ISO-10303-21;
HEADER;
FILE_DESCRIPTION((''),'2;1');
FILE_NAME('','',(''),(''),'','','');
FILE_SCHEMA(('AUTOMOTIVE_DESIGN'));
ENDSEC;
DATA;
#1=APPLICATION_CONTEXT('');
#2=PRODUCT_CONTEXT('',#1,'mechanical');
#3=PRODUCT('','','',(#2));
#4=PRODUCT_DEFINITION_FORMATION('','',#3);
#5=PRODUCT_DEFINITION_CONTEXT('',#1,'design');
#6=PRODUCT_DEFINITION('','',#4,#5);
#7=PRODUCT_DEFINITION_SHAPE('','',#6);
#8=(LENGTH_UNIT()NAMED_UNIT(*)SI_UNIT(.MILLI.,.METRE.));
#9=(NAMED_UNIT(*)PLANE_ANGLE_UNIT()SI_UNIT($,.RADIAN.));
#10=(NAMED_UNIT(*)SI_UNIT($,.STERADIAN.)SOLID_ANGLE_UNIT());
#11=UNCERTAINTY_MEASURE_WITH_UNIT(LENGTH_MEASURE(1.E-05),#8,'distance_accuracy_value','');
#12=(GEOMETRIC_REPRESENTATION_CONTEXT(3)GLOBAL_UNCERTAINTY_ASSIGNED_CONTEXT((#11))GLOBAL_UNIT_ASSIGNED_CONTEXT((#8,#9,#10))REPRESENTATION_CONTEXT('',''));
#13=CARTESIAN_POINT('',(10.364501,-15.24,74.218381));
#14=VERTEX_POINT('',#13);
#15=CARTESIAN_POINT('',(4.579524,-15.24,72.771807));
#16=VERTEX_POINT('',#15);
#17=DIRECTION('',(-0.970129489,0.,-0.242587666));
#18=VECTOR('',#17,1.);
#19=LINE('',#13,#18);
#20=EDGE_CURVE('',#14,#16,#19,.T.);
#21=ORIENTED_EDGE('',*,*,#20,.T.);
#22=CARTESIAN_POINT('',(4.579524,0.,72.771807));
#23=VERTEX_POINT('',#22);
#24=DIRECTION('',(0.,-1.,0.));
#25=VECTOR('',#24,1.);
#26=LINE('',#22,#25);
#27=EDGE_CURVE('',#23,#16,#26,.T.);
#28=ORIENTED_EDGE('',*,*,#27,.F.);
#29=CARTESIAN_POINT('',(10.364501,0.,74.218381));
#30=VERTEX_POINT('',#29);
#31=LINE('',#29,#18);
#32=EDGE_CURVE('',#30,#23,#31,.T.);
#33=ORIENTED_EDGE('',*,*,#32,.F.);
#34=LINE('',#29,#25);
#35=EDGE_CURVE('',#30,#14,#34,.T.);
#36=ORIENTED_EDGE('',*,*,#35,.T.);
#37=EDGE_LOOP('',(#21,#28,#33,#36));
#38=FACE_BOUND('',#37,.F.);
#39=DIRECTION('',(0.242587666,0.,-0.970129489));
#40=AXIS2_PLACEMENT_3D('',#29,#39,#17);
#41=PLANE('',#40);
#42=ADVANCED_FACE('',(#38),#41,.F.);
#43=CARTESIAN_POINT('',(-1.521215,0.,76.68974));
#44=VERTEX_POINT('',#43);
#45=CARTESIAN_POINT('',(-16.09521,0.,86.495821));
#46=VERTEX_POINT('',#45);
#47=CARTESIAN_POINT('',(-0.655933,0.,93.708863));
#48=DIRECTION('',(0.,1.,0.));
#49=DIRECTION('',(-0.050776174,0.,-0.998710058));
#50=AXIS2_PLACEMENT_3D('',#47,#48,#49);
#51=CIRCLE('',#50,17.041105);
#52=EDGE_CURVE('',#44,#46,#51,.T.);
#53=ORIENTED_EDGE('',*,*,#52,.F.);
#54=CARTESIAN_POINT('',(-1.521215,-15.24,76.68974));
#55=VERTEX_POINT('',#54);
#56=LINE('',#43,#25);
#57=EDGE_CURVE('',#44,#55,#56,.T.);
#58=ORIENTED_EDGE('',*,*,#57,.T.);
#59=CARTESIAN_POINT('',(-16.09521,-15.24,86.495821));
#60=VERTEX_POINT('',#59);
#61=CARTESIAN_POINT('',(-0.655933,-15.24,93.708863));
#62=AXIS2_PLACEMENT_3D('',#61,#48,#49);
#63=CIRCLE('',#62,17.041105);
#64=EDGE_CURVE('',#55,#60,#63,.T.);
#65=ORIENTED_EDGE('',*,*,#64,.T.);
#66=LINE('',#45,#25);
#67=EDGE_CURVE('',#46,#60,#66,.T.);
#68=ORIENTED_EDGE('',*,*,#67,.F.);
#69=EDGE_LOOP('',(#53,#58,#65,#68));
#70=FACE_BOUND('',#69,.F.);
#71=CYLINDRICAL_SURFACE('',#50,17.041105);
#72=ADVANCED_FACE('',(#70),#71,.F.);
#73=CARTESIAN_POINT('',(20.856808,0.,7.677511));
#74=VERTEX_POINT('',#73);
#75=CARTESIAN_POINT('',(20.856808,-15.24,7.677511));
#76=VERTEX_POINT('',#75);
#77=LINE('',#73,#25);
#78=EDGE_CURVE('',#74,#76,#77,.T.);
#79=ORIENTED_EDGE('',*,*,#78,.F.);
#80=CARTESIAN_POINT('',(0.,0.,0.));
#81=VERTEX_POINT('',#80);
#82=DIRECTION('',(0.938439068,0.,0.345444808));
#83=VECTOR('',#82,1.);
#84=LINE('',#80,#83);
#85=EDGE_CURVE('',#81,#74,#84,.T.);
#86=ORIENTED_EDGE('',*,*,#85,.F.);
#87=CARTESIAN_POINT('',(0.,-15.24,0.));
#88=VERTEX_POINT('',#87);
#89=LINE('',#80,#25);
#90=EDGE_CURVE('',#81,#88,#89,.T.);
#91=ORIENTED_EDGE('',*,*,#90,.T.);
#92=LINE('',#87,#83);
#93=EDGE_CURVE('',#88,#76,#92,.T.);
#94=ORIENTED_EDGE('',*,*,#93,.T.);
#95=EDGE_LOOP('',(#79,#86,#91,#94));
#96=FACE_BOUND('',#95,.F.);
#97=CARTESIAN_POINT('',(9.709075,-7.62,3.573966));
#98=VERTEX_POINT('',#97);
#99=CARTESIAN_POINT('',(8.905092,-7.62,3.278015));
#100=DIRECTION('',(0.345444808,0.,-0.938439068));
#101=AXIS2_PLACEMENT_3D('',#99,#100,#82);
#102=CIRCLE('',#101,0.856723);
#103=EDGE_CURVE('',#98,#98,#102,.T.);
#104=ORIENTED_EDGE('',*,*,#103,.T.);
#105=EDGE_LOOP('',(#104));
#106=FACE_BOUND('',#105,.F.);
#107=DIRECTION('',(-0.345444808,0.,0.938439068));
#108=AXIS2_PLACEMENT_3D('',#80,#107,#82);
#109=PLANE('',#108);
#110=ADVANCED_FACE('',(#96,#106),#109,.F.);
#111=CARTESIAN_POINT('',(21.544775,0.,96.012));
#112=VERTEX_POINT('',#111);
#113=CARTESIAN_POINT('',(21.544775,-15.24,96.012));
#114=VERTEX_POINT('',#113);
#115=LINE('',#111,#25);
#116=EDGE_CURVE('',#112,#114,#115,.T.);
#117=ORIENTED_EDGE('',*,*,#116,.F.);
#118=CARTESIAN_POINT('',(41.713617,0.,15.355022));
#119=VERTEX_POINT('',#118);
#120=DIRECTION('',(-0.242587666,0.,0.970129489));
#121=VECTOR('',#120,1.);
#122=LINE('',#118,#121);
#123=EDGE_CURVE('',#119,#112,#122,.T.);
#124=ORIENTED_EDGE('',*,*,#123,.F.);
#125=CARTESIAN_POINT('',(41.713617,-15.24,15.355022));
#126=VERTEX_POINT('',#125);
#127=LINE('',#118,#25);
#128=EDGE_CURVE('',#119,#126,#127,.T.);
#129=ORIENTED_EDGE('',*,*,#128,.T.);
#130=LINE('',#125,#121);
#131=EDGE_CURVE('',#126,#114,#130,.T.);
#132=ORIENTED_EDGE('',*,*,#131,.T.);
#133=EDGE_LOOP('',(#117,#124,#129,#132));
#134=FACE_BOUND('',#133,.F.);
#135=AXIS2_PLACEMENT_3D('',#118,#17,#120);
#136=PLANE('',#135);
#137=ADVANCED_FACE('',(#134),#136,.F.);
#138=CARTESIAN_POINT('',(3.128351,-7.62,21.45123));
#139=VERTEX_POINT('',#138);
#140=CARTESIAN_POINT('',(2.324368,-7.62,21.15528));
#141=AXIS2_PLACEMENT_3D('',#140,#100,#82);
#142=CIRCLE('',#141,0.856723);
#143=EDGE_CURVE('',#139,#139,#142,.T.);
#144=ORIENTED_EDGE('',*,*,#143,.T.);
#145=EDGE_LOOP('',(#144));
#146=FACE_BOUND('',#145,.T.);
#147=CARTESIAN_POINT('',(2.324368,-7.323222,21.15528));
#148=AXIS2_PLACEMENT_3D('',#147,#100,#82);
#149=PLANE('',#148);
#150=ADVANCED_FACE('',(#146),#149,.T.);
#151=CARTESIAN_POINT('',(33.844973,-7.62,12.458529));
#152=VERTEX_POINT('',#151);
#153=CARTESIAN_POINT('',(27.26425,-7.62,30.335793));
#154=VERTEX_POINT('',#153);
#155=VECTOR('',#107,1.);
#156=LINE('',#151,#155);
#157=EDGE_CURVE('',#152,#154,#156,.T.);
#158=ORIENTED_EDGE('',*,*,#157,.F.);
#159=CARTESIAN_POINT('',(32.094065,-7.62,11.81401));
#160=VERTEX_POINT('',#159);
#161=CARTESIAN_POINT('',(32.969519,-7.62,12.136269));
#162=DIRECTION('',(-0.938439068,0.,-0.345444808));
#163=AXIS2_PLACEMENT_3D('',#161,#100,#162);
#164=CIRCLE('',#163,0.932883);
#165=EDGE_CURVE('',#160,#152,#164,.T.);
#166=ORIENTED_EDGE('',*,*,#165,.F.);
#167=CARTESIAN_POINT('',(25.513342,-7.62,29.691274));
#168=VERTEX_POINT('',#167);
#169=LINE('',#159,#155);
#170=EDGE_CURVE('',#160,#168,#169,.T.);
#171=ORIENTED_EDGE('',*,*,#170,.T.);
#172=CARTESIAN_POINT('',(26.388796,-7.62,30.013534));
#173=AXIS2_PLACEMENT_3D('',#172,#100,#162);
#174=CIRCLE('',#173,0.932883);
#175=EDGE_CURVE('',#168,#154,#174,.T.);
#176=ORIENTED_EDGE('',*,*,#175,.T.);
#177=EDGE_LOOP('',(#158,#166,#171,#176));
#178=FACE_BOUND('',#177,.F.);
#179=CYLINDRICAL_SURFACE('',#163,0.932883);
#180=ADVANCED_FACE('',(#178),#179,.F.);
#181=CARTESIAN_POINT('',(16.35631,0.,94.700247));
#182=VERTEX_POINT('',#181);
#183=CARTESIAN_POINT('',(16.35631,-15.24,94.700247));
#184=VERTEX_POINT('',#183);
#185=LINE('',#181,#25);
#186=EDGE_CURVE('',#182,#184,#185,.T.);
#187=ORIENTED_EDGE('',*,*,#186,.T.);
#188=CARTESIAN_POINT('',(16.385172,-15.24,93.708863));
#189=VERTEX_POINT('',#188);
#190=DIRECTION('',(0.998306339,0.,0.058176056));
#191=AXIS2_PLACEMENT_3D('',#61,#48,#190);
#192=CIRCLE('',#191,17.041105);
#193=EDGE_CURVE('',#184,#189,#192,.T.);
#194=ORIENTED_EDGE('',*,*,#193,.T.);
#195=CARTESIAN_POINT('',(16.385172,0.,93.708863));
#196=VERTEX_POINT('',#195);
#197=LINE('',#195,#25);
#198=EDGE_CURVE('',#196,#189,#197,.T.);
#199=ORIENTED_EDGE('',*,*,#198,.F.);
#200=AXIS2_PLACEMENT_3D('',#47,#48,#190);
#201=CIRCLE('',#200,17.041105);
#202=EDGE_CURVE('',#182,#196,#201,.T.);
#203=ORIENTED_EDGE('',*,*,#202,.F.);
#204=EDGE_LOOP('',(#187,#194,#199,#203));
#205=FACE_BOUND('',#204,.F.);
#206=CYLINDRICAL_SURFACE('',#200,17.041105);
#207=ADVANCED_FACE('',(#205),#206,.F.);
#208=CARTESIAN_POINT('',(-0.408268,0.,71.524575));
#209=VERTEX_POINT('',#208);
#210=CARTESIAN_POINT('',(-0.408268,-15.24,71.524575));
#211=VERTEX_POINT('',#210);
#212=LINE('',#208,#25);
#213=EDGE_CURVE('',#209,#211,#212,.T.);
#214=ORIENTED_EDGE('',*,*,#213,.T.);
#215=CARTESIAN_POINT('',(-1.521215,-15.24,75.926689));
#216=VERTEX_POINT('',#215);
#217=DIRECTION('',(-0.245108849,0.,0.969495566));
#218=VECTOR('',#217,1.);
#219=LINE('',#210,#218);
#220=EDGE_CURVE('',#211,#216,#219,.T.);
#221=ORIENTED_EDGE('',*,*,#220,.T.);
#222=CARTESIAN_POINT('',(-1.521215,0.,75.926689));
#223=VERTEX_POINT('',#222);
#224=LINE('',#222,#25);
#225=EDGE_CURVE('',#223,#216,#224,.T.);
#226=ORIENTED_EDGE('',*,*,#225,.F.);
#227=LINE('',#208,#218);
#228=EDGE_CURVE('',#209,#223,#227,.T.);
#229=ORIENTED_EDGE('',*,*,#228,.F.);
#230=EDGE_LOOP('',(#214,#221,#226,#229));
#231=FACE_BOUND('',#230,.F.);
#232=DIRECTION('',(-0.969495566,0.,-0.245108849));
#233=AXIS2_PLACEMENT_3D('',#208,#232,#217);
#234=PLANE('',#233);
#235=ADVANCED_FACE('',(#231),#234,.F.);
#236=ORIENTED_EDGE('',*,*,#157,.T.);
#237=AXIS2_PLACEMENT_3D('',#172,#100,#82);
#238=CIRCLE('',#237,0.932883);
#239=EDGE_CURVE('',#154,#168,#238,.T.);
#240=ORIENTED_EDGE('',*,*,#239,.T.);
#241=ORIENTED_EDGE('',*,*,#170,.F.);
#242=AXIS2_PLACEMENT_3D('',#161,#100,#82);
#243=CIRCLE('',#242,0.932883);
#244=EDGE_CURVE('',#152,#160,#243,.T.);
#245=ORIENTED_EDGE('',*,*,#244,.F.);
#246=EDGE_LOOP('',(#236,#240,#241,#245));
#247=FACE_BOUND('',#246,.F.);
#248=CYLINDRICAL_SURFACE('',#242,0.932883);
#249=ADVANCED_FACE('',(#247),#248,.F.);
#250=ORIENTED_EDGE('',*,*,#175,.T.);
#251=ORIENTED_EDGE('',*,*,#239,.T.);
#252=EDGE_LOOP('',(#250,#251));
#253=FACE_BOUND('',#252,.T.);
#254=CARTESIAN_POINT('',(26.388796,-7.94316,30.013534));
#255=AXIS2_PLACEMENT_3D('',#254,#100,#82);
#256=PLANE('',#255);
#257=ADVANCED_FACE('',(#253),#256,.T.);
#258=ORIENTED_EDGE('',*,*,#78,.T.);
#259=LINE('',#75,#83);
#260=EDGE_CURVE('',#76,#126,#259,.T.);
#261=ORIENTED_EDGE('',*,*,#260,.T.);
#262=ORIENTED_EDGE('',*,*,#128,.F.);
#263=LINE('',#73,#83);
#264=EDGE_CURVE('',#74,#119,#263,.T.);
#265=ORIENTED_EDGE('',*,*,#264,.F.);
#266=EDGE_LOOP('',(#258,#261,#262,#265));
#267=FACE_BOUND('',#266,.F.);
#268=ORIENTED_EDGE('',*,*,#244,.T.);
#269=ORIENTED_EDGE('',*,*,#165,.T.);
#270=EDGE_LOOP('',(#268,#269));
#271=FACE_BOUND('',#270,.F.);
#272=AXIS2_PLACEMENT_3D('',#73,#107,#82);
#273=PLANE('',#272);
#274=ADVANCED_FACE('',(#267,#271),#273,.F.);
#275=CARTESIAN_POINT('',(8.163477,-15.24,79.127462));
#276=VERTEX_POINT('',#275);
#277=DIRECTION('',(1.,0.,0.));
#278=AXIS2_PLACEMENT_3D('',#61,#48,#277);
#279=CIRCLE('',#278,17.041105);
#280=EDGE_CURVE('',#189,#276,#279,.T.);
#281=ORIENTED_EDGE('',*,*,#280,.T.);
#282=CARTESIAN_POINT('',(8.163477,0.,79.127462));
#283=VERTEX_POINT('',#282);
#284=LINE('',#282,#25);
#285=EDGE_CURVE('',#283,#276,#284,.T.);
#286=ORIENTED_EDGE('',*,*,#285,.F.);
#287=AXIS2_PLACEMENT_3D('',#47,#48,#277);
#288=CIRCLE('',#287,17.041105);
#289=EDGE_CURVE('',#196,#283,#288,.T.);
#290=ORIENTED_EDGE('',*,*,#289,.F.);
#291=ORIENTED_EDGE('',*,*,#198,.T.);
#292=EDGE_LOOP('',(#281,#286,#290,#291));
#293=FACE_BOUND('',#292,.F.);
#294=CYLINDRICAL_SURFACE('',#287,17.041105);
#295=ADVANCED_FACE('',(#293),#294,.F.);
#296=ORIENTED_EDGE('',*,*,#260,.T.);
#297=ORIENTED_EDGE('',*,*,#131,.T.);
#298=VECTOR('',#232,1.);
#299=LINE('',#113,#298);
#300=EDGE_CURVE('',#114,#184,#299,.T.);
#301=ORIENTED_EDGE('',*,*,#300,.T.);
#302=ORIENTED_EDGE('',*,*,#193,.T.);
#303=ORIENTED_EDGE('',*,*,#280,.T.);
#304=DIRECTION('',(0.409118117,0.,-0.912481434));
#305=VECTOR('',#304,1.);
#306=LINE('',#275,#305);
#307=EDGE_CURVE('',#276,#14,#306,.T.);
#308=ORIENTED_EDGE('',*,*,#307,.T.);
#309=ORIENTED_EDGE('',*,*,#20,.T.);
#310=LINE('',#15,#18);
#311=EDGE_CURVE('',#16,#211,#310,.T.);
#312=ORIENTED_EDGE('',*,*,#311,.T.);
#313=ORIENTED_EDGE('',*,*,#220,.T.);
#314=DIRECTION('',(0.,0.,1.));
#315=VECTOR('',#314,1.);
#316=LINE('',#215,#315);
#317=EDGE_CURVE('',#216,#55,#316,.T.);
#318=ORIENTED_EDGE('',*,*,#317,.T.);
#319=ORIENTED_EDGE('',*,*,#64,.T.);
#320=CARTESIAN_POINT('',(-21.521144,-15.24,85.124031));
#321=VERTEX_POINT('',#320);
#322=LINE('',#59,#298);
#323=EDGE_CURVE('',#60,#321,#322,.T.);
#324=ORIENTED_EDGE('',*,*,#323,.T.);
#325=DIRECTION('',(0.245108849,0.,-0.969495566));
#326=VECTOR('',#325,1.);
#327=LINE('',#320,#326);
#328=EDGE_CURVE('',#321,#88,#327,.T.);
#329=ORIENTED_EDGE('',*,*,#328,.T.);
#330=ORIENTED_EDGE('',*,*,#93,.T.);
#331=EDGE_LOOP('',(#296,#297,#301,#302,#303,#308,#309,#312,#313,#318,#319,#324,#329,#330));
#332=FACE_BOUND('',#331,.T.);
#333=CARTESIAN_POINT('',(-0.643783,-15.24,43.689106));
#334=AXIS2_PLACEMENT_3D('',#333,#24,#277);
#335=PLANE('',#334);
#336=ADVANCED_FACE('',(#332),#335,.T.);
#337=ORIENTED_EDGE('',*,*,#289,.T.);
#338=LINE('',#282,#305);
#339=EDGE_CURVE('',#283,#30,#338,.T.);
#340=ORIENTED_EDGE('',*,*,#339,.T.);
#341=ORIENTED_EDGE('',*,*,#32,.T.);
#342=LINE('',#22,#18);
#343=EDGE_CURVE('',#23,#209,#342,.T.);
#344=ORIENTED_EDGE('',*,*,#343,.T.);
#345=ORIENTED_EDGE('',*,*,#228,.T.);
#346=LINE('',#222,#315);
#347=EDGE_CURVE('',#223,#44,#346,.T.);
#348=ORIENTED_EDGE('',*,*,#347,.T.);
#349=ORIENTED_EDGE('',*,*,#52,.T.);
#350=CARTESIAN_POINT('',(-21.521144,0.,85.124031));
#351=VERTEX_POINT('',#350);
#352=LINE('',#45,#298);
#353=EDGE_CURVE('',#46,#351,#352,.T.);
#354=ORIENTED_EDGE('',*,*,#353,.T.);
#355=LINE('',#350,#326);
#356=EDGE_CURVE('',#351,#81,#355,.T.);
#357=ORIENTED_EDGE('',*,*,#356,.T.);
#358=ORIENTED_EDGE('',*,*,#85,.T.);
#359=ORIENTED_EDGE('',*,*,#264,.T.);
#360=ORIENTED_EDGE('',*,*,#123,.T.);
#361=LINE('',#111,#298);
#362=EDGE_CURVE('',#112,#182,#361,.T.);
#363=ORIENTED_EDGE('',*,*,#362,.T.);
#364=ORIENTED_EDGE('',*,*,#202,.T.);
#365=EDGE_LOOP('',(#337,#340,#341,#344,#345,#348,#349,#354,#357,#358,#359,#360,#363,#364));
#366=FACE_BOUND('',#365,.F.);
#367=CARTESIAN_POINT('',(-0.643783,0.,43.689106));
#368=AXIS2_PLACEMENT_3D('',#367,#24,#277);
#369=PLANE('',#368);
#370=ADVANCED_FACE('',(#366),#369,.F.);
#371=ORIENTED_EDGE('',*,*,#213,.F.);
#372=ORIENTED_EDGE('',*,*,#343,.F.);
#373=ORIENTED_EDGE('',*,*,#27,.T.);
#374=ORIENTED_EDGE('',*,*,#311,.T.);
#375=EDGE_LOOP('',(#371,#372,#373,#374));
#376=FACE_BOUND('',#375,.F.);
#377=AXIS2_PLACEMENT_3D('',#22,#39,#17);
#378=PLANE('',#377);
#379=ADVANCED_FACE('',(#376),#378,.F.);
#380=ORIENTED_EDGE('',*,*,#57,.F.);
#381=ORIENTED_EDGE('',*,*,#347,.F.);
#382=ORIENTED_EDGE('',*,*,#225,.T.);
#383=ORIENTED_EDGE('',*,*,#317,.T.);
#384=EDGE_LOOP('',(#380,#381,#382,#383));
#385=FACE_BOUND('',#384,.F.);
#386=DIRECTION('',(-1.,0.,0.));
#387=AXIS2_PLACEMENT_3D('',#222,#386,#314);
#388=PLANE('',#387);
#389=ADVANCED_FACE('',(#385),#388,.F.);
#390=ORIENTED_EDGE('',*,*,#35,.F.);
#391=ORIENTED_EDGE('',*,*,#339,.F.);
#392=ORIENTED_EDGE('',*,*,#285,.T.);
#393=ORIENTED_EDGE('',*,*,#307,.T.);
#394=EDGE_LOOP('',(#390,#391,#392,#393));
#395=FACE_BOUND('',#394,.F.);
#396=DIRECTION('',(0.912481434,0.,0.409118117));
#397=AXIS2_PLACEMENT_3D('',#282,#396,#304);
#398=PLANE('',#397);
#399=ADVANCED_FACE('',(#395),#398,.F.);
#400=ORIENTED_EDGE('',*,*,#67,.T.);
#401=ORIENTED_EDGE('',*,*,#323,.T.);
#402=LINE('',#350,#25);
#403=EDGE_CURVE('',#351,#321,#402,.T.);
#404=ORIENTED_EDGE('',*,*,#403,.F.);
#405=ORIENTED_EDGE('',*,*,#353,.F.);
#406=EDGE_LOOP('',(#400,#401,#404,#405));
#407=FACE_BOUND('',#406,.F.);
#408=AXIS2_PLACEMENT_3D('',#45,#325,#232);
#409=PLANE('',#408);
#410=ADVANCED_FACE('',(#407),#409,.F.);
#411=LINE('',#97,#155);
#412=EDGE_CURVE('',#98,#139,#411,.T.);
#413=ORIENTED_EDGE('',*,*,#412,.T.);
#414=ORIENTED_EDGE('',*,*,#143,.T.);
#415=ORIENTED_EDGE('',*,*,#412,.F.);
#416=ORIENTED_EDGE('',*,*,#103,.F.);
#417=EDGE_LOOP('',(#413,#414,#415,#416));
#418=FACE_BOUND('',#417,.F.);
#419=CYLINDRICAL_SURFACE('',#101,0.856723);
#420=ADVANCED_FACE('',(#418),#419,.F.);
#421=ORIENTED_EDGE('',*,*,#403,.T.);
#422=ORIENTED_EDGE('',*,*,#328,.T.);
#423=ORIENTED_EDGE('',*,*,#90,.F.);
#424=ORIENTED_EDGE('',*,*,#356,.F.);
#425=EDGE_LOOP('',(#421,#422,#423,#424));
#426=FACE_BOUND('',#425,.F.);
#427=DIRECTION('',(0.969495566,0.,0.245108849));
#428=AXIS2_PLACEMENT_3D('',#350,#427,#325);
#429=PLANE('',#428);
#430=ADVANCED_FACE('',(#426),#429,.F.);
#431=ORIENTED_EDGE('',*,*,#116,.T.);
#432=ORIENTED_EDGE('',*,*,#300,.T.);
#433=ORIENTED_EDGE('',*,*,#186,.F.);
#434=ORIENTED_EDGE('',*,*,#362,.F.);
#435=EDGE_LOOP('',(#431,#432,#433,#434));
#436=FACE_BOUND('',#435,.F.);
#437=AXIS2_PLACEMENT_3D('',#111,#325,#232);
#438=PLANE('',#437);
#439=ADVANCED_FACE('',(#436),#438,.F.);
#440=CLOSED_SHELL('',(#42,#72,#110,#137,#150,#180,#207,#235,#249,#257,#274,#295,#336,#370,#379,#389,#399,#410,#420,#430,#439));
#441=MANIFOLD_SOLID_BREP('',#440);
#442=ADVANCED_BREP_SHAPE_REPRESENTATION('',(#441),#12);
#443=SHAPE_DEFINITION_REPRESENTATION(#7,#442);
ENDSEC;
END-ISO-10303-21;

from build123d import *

# Parameters (mm, degrees)
F1_DEPTH = 15.24
F3_DEPTH = 19.05


with BuildPart() as f1:
    # F0 (on Front) → F1 (new body)
    with BuildSketch(Plane.XZ):
        with BuildLine():
            Line((-21.52114356, 85.1240309625), (0, 0))
            Line((0, 0), (20.8568082863, 7.6775108668))
            Line((20.8568082863, 7.6775108668), (4.5795240596, 72.7718073389))
            Line((4.5795240596, 72.7718073389), (-0.4082683617, 71.5245749498))
            Line((-0.4082683617, 71.5245749498), (-1.5212152076, 75.9266886902))
            Line((-1.5212152076, 75.9266886902), (-1.5212152076, 76.6897401217))
            ThreePointArc((-1.5212152076, 76.6897401217), (-10.169053912, 79.5702708584), (-16.09521015, 86.4958209323))
            Line((-16.09521015, 86.4958209323), (-21.52114356, 85.1240309625))
        make_face()
        with BuildLine():
            Line((4.5795240596, 72.7718073389), (20.8568082863, 7.6775108668))
            Line((20.8568082863, 7.6775108668), (41.7136165726, 15.3550217335))
            Line((41.7136165726, 15.3550217335), (21.5447748881, 96.012))
            Line((21.5447748881, 96.012), (16.3563096717, 94.7002469789))
            ThreePointArc((16.3563096717, 94.7002469789), (16.3779545339, 94.2047648695), (16.3851715255, 93.708862726))
            ThreePointArc((16.3851715255, 93.708862726), (14.1881185465, 85.3390731447), (8.1634770852, 79.127461865))
            Line((8.1634770852, 79.127461865), (10.3645013352, 74.2183813778))
            Line((10.3645013352, 74.2183813778), (4.5795240596, 72.7718073389))
        make_face()
    extrude(amount=F1_DEPTH)

    # F2 (on face) → F3 (cut)
    with BuildSketch(Plane(origin=(0, 0, 0), x_dir=(0.938439068, 0, 0.3454448084), z_dir=(0.3454448084, 0, -0.938439068))):
        with BuildLine():
            Line((10.34598317, 7.62), (8.6325361952, 7.62))
            ThreePointArc((8.6325361952, 7.62), (9.4892596826, 6.7632765126), (10.34598317, 7.62))
        make_face()
        with BuildLine():
            ThreePointArc((10.34598317, 7.62), (9.4892596826, 8.4767234874), (8.6325361952, 7.62))
            Line((8.6325361952, 7.62), (10.34598317, 7.62))
        make_face()
        with BuildLine():
            Line((34.1994132364, 7.62), (36.0651795303, 7.62))
            ThreePointArc((36.0651795303, 7.62), (35.1322963834, 8.5528831469), (34.1994132364, 7.62))
        make_face()
        with BuildLine():
            ThreePointArc((34.1994132364, 7.62), (35.1322963834, 6.6871168531), (36.0651795303, 7.62))
            Line((36.0651795303, 7.62), (34.1994132364, 7.62))
        make_face()
    extrude(amount=-F3_DEPTH, mode=Mode.SUBTRACT)


solid = f1.part
